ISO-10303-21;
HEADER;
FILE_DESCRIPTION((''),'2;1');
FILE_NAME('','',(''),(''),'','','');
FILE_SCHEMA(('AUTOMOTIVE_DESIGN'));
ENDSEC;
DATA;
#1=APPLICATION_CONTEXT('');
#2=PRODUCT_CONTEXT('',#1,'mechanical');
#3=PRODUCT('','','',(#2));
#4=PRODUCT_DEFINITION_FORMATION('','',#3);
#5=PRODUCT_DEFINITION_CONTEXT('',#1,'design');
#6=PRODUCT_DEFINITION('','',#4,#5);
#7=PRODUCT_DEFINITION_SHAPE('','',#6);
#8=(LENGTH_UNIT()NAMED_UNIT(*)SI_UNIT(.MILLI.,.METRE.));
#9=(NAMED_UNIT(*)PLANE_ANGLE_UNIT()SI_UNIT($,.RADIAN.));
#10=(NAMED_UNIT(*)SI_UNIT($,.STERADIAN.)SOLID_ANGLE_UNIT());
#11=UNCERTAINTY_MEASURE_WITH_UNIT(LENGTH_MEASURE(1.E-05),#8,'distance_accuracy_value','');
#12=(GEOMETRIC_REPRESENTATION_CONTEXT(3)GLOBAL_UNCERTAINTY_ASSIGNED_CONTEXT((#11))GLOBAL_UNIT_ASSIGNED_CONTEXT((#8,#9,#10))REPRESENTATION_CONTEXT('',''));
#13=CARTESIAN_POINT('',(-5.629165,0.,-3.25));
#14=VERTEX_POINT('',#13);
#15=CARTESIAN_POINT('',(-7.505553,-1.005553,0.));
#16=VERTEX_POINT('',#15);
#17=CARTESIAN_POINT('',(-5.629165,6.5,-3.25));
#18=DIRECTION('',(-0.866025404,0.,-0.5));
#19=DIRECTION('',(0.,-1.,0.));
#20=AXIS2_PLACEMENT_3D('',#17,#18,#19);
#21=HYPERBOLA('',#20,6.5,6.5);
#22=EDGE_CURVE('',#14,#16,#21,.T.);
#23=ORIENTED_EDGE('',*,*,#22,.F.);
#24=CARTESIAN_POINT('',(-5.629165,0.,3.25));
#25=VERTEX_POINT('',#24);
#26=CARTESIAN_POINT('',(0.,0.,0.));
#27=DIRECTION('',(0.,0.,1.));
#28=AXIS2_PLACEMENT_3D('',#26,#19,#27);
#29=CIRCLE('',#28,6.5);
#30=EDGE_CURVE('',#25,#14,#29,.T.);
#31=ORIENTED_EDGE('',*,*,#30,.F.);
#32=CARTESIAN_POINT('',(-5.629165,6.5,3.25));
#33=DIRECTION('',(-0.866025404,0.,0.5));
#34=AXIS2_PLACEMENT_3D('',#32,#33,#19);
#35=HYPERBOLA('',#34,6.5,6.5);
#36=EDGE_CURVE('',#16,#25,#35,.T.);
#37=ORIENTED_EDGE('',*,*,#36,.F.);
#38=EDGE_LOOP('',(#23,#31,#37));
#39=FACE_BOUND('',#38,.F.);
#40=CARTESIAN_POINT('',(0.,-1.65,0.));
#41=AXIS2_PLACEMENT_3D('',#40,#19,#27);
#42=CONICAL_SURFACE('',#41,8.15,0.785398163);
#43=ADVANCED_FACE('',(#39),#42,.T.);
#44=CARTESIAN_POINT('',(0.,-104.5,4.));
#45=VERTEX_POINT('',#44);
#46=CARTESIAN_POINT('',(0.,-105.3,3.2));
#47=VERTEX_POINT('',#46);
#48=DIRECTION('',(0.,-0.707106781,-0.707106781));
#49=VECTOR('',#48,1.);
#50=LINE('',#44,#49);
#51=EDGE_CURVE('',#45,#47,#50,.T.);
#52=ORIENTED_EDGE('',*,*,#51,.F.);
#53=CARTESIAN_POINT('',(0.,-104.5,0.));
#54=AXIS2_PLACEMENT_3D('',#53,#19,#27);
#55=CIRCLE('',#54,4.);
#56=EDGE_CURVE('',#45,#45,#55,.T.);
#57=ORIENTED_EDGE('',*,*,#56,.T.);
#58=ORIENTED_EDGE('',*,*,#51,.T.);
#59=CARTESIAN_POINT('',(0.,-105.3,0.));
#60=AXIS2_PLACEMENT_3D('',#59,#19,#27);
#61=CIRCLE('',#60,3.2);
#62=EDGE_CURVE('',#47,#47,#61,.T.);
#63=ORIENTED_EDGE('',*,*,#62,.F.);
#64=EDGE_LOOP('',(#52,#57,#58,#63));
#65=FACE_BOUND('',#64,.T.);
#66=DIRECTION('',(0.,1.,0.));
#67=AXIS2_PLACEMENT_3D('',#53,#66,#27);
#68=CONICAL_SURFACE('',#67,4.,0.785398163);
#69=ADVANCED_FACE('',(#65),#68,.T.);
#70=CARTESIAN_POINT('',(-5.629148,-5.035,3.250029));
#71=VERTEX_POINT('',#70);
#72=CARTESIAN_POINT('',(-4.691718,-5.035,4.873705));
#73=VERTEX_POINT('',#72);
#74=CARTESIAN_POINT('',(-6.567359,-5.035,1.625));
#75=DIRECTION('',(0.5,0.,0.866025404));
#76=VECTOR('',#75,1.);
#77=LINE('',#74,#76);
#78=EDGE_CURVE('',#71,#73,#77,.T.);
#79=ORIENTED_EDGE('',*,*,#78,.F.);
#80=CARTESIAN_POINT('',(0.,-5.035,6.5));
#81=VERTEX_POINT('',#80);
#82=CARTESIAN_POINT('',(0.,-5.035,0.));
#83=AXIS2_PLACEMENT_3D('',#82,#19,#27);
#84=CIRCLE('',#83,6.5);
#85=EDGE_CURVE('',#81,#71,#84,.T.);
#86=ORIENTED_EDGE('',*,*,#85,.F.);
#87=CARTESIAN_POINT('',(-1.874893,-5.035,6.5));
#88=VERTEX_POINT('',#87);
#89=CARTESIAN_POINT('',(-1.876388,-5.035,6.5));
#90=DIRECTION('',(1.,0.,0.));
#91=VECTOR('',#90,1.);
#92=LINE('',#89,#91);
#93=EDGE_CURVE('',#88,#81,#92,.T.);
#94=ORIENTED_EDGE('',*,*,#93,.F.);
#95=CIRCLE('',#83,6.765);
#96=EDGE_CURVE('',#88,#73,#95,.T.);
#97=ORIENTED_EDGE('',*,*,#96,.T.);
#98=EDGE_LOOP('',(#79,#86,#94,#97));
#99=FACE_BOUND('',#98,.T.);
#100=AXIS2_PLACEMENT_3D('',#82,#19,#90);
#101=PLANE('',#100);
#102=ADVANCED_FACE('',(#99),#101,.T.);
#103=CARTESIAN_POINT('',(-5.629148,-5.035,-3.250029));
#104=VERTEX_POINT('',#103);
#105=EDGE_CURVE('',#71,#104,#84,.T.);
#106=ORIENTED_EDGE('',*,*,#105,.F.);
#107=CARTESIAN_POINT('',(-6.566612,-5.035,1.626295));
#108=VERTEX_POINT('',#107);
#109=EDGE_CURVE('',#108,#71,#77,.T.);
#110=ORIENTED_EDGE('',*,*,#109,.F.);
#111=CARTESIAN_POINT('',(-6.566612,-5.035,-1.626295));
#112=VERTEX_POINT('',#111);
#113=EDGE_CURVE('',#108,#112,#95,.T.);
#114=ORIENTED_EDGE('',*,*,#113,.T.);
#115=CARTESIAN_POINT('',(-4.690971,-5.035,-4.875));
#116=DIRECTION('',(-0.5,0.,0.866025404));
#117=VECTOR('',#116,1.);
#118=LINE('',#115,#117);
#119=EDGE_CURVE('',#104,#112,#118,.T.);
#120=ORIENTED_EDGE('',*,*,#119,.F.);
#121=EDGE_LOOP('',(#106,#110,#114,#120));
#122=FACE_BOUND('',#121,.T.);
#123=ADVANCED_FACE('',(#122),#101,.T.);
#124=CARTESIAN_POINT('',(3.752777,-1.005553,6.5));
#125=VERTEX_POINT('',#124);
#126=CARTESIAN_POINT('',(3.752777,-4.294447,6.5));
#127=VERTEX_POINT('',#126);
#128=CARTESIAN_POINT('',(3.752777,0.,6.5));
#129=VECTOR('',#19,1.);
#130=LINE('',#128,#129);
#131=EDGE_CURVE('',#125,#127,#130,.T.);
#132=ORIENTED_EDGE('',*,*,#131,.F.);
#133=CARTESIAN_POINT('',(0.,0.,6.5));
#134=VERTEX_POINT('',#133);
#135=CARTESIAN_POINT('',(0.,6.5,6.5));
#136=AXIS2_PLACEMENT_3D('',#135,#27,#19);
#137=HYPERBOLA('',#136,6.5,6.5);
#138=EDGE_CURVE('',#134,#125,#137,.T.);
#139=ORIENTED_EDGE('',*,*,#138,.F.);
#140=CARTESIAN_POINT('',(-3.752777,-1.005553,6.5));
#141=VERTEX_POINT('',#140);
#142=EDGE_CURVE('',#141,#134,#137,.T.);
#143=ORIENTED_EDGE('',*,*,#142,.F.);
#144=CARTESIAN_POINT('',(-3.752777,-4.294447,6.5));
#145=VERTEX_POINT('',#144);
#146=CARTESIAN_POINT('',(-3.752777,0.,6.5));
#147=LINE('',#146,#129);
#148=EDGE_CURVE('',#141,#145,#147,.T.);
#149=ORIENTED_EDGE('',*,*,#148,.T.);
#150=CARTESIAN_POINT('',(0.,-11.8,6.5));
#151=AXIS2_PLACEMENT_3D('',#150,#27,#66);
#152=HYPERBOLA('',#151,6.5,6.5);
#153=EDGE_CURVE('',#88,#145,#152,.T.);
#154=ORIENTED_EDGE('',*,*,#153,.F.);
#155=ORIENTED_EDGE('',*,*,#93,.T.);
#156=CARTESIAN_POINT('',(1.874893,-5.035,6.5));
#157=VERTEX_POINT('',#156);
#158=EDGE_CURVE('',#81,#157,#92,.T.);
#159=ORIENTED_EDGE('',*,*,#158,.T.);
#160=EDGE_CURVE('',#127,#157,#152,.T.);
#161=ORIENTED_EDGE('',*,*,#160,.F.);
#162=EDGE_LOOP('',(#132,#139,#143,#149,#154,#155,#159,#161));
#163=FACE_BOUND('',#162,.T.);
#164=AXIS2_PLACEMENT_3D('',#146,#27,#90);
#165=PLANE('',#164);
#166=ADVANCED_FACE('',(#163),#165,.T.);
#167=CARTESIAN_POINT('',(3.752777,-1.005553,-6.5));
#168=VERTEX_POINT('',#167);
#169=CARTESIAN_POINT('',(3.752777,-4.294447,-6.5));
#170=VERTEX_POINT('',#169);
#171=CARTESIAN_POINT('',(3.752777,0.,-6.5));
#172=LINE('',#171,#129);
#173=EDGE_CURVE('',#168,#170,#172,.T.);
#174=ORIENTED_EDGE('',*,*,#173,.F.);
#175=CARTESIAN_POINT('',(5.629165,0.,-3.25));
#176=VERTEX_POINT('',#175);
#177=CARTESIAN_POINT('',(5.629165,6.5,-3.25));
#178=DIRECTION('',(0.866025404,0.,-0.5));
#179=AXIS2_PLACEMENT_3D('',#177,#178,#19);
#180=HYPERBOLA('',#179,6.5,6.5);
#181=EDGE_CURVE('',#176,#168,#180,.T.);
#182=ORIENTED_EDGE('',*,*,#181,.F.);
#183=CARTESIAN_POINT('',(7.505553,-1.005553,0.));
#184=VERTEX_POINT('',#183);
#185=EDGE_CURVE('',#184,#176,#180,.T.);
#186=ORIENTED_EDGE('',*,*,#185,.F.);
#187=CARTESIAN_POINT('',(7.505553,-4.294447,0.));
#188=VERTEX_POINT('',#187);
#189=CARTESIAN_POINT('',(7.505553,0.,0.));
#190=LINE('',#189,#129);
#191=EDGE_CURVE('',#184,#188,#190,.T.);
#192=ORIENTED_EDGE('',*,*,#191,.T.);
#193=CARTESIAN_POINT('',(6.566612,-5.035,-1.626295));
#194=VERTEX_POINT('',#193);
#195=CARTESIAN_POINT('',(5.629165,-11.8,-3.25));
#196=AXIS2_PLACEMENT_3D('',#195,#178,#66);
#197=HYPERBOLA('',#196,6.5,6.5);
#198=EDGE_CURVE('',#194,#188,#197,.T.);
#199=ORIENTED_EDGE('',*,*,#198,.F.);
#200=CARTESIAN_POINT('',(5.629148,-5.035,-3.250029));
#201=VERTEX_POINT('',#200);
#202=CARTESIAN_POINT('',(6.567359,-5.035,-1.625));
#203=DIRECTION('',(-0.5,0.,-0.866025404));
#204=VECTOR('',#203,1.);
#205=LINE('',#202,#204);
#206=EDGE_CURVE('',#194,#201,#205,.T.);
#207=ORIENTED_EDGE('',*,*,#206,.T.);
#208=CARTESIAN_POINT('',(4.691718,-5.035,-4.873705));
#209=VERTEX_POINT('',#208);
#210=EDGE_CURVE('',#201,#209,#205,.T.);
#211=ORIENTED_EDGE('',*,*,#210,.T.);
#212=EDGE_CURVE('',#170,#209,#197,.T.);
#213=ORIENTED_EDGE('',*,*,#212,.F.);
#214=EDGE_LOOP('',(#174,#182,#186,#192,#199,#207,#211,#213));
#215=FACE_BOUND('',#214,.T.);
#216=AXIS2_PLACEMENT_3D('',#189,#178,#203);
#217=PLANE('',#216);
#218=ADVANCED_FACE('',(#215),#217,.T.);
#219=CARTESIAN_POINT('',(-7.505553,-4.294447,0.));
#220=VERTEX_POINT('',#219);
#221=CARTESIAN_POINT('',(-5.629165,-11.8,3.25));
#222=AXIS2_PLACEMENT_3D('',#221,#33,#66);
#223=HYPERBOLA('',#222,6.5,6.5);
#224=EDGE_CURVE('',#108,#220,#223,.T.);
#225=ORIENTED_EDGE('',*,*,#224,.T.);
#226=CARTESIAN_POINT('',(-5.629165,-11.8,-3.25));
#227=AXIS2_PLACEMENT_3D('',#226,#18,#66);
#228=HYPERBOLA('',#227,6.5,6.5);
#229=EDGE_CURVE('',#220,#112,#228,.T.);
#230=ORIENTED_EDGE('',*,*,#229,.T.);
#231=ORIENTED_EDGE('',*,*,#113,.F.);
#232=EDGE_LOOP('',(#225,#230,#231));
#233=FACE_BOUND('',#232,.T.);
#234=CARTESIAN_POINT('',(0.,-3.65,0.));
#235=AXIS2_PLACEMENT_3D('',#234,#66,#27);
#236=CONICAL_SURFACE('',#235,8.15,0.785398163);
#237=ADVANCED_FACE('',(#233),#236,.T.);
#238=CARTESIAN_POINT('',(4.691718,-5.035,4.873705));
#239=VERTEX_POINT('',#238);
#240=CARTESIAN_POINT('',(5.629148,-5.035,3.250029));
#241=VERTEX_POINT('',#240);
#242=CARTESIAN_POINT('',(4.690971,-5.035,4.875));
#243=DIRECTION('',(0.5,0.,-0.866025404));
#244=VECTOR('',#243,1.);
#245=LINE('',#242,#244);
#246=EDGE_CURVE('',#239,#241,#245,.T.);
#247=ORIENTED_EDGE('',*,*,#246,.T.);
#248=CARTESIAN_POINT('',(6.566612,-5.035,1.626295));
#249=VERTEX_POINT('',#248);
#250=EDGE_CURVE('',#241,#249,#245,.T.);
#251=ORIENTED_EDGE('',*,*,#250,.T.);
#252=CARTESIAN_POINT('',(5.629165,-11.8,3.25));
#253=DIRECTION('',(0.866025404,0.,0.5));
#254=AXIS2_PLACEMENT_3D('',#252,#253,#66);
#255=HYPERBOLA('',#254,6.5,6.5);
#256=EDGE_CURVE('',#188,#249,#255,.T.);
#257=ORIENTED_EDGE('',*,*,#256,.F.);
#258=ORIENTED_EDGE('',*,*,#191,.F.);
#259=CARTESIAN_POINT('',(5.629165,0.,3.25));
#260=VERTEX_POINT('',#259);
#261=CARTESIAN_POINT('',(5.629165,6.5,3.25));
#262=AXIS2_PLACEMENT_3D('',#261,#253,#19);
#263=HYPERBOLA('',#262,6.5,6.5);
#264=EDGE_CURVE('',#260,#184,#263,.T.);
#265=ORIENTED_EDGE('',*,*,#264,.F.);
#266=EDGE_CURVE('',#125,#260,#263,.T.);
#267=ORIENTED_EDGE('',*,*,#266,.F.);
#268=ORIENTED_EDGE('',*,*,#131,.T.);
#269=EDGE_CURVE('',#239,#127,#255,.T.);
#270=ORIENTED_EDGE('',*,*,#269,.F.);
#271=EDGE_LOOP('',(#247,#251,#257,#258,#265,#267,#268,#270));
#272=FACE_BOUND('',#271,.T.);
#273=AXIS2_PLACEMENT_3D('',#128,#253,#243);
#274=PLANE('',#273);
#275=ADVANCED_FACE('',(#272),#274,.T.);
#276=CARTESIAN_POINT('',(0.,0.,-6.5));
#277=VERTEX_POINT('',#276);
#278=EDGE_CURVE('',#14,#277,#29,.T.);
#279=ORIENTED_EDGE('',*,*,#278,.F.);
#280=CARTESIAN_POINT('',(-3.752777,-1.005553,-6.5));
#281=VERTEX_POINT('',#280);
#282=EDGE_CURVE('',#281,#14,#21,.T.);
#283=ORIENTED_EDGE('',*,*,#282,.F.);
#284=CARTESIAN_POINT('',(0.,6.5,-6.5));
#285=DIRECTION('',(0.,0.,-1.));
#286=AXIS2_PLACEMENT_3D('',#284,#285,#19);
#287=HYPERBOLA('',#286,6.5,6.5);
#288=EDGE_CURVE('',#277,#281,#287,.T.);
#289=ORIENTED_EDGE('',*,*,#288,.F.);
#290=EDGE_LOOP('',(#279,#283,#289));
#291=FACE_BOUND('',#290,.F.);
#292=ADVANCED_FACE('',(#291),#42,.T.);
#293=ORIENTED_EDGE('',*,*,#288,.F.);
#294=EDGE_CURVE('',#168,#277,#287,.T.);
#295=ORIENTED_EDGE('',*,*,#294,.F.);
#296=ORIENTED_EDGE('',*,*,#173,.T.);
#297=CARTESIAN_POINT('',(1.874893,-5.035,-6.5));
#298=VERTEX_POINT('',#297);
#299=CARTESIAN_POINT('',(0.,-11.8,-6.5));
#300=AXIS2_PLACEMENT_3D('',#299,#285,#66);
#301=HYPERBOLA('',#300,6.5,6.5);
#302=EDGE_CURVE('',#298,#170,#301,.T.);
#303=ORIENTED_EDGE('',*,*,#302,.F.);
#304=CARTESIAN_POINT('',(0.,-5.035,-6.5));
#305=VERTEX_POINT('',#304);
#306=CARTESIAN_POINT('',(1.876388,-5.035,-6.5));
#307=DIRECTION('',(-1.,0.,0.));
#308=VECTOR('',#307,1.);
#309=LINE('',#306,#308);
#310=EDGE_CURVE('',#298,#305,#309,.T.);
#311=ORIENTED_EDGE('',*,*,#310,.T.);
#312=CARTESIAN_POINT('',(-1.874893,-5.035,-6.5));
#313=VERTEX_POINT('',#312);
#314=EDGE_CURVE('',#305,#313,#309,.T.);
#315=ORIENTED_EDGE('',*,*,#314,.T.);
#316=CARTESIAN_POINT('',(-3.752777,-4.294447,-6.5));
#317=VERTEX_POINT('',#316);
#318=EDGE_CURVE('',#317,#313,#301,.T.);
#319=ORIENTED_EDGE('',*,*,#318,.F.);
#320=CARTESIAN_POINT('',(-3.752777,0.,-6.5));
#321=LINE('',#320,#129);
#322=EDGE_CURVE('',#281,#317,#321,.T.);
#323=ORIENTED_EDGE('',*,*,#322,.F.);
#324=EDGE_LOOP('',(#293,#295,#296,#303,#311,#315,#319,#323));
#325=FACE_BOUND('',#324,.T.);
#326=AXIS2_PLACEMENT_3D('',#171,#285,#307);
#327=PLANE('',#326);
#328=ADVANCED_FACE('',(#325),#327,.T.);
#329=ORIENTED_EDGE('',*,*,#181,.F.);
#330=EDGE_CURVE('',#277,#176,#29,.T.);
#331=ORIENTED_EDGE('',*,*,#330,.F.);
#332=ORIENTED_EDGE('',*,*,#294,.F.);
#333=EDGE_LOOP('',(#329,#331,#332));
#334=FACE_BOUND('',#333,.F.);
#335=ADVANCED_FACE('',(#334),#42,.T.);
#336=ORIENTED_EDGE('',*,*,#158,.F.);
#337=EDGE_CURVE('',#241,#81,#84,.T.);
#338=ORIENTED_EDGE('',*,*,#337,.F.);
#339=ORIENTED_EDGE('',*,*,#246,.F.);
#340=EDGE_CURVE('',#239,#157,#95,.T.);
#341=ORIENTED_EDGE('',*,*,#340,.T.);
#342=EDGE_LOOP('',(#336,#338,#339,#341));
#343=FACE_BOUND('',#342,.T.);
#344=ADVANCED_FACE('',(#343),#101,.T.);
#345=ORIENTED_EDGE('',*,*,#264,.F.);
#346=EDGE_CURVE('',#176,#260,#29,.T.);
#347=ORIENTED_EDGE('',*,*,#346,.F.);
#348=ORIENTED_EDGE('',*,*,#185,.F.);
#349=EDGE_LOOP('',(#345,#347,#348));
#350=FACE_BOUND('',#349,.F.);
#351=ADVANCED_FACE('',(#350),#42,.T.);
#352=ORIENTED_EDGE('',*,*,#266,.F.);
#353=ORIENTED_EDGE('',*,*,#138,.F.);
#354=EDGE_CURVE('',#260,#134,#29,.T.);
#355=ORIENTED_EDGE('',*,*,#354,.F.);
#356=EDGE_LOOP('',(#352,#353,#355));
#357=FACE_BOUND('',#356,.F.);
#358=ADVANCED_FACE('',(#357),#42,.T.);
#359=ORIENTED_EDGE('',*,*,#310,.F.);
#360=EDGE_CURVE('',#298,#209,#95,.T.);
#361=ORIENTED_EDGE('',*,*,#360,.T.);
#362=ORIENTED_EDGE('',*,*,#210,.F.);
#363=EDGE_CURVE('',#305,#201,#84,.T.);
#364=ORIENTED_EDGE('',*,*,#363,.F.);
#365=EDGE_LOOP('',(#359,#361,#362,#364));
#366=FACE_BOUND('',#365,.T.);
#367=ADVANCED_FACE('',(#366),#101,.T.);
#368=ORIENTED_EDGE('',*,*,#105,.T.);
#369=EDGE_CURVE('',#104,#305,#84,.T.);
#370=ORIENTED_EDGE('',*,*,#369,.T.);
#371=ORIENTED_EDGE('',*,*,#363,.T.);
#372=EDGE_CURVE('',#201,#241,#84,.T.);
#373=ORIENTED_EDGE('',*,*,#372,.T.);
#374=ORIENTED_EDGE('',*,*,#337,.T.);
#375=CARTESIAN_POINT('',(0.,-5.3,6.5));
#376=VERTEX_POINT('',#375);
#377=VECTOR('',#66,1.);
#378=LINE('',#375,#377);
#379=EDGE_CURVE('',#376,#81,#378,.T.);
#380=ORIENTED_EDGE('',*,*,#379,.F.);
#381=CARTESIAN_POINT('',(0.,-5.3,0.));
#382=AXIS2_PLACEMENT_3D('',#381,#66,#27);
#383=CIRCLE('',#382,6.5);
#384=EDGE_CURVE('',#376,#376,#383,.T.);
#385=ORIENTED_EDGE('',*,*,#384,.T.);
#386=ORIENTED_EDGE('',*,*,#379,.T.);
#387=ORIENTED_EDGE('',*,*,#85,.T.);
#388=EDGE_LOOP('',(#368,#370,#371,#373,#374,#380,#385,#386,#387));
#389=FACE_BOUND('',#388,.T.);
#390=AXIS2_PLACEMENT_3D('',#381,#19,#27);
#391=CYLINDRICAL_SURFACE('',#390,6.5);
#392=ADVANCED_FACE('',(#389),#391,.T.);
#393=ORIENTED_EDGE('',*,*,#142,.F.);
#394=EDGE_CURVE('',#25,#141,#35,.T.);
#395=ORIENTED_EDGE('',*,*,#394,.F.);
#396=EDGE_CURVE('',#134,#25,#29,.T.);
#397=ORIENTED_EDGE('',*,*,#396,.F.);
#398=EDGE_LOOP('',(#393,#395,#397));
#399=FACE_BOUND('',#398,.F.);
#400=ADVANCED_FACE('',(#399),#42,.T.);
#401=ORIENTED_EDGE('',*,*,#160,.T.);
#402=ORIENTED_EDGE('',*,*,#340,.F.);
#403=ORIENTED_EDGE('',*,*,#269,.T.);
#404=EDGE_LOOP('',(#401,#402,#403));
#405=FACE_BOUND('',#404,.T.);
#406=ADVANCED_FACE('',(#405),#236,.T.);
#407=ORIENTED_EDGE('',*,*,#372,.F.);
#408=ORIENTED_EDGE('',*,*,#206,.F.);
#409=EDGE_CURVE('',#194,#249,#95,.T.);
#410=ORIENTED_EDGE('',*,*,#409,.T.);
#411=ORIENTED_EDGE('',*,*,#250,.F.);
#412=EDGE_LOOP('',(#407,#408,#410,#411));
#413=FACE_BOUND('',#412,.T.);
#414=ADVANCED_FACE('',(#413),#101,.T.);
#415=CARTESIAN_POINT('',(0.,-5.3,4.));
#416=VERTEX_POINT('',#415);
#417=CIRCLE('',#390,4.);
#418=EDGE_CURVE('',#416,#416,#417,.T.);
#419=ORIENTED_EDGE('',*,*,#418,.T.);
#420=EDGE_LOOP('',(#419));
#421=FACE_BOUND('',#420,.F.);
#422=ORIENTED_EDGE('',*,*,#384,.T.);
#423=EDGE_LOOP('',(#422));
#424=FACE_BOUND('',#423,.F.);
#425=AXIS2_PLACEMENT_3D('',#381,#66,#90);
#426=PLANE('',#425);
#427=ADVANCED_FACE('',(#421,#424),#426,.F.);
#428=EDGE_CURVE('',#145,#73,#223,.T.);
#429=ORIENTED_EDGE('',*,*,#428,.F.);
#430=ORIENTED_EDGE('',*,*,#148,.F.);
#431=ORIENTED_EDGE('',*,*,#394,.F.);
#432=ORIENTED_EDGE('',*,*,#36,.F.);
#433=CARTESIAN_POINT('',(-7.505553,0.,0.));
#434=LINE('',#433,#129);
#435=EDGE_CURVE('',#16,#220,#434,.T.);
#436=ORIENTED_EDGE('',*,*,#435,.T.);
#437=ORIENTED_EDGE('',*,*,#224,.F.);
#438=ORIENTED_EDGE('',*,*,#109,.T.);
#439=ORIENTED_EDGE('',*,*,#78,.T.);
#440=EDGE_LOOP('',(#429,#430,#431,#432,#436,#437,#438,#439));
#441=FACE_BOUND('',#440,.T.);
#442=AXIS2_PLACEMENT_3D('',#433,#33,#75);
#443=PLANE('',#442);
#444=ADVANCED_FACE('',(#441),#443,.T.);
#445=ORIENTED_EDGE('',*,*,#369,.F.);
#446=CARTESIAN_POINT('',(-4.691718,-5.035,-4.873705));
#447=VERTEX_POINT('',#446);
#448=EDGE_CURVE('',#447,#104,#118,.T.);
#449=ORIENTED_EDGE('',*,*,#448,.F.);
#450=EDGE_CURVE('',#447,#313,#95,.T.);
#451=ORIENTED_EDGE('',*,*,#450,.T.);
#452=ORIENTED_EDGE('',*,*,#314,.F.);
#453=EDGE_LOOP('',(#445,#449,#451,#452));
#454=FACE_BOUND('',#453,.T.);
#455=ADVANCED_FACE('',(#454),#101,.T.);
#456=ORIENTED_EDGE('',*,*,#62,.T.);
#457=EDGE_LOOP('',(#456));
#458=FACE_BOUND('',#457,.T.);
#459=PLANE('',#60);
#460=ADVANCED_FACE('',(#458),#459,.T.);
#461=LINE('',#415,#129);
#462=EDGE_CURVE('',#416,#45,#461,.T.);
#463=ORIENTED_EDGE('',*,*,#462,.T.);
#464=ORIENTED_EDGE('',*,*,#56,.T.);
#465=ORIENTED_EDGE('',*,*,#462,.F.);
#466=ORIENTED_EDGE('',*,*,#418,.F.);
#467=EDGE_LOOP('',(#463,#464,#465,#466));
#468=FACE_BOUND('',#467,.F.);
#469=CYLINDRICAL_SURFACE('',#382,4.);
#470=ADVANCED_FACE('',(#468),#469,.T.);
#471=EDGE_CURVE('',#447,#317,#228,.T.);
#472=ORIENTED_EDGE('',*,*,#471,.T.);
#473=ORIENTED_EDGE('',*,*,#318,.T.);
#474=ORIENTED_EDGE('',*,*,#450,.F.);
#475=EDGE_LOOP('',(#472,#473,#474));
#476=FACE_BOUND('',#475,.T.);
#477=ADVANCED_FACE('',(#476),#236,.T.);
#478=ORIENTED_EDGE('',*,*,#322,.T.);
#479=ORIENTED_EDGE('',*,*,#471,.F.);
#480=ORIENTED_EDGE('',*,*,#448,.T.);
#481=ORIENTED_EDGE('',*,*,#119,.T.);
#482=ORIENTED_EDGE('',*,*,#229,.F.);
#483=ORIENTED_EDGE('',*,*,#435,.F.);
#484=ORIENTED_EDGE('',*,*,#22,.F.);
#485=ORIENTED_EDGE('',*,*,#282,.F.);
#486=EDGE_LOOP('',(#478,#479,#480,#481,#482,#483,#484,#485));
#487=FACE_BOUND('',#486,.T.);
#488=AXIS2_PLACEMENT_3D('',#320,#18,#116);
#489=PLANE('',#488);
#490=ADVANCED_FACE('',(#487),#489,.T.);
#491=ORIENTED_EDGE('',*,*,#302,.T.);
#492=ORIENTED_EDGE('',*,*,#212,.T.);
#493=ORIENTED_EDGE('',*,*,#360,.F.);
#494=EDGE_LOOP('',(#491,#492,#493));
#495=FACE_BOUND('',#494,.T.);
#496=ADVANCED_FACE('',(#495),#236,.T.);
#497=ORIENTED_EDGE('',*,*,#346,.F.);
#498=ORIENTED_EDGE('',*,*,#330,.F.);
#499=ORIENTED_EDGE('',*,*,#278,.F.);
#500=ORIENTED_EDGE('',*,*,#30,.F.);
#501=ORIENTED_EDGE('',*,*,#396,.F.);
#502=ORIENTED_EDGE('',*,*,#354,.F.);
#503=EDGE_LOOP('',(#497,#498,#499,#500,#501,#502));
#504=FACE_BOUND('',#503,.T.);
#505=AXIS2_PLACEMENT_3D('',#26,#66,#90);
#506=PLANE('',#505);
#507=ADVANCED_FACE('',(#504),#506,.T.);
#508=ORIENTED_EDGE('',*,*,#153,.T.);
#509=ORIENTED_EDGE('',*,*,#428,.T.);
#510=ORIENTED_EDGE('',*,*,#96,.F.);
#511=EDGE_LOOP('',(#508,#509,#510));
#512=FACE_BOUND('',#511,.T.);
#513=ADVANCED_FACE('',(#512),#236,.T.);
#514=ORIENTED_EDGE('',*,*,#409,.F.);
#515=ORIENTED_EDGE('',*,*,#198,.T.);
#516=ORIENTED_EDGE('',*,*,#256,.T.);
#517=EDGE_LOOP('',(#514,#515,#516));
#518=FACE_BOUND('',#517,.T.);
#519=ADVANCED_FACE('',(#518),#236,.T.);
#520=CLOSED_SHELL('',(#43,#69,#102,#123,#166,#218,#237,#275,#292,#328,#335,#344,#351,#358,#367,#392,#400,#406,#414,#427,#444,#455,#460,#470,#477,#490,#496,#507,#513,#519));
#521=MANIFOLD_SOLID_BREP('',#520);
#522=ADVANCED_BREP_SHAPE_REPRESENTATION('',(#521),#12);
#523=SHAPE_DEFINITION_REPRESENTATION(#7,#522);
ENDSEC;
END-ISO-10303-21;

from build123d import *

# Parameters (mm, degrees)
BOSS_EXTRUDE1_DEPTH = 5.3
SKETCH2_OUTSIDE_W   = 21.122
SKETCH2_OUTSIDE_H   = 19.11
SKETCH2_OUTSIDE_R   = 6.5
CUT_EXTRUDE1_DEPTH  = 0.265
SKETCH3_R           = 4
BOSS_EXTRUDE2_DEPTH = 100
CHAMFER1_SIZE       = 0.8


with BuildPart() as part:
    # Sketch1 → Boss-Extrude1 (new body)
    with BuildSketch(Plane(origin=(0, 0, 0), x_dir=(1, 0, 0), z_dir=(0, 1, 0))):
        Polygon((7.505553499, 0), (3.75277675, 6.5), (-3.75277675, 6.5), (-7.505553499, 0), (-3.75277675, -6.5), (3.75277675, -6.5), align=None)
    extrude(amount=-BOSS_EXTRUDE1_DEPTH)

    # Sketch4 → Cut-Revolve1 (revolve, cut)
    with BuildSketch(Plane(origin=(0, 0, 0), x_dir=(0, 0, -1), z_dir=(1, 0, 0))):
        Polygon((-6.5, 0), (-8.15, 0), (-8.15, -1.65), align=None)
        Polygon((-8.15, -3.65), (-6.5, -5.3), (-8.15, -5.3), align=None)
    revolve(axis=Axis((0, 0, 0), (0, -1, 0)), mode=Mode.SUBTRACT)

    # Sketch2 outside → Cut-Extrude1 (cut)
    with BuildSketch(Plane.XZ.offset(5.3)):
        Rectangle(SKETCH2_OUTSIDE_W, SKETCH2_OUTSIDE_H)
        with Locations(Location((0, 0, 0), (0, 0, 90))):
            Circle(SKETCH2_OUTSIDE_R, mode=Mode.SUBTRACT)
    extrude(amount=-CUT_EXTRUDE1_DEPTH, mode=Mode.SUBTRACT)

    # Sketch3 → Boss-Extrude2 (add)
    with BuildSketch(Plane.XZ.offset(5.3)):
        with Locations(Location((0, 0, 0), (0, 0, 90))):
            Circle(SKETCH3_R)
    extrude(amount=BOSS_EXTRUDE2_DEPTH)

    # Chamfer1
    chamfer1_edges = [part.edges().sort_by_distance(p)[0] for p in [
        (0, -105.3, -4),
    ]]
    chamfer(chamfer1_edges, length=CHAMFER1_SIZE)


solid = part.part
